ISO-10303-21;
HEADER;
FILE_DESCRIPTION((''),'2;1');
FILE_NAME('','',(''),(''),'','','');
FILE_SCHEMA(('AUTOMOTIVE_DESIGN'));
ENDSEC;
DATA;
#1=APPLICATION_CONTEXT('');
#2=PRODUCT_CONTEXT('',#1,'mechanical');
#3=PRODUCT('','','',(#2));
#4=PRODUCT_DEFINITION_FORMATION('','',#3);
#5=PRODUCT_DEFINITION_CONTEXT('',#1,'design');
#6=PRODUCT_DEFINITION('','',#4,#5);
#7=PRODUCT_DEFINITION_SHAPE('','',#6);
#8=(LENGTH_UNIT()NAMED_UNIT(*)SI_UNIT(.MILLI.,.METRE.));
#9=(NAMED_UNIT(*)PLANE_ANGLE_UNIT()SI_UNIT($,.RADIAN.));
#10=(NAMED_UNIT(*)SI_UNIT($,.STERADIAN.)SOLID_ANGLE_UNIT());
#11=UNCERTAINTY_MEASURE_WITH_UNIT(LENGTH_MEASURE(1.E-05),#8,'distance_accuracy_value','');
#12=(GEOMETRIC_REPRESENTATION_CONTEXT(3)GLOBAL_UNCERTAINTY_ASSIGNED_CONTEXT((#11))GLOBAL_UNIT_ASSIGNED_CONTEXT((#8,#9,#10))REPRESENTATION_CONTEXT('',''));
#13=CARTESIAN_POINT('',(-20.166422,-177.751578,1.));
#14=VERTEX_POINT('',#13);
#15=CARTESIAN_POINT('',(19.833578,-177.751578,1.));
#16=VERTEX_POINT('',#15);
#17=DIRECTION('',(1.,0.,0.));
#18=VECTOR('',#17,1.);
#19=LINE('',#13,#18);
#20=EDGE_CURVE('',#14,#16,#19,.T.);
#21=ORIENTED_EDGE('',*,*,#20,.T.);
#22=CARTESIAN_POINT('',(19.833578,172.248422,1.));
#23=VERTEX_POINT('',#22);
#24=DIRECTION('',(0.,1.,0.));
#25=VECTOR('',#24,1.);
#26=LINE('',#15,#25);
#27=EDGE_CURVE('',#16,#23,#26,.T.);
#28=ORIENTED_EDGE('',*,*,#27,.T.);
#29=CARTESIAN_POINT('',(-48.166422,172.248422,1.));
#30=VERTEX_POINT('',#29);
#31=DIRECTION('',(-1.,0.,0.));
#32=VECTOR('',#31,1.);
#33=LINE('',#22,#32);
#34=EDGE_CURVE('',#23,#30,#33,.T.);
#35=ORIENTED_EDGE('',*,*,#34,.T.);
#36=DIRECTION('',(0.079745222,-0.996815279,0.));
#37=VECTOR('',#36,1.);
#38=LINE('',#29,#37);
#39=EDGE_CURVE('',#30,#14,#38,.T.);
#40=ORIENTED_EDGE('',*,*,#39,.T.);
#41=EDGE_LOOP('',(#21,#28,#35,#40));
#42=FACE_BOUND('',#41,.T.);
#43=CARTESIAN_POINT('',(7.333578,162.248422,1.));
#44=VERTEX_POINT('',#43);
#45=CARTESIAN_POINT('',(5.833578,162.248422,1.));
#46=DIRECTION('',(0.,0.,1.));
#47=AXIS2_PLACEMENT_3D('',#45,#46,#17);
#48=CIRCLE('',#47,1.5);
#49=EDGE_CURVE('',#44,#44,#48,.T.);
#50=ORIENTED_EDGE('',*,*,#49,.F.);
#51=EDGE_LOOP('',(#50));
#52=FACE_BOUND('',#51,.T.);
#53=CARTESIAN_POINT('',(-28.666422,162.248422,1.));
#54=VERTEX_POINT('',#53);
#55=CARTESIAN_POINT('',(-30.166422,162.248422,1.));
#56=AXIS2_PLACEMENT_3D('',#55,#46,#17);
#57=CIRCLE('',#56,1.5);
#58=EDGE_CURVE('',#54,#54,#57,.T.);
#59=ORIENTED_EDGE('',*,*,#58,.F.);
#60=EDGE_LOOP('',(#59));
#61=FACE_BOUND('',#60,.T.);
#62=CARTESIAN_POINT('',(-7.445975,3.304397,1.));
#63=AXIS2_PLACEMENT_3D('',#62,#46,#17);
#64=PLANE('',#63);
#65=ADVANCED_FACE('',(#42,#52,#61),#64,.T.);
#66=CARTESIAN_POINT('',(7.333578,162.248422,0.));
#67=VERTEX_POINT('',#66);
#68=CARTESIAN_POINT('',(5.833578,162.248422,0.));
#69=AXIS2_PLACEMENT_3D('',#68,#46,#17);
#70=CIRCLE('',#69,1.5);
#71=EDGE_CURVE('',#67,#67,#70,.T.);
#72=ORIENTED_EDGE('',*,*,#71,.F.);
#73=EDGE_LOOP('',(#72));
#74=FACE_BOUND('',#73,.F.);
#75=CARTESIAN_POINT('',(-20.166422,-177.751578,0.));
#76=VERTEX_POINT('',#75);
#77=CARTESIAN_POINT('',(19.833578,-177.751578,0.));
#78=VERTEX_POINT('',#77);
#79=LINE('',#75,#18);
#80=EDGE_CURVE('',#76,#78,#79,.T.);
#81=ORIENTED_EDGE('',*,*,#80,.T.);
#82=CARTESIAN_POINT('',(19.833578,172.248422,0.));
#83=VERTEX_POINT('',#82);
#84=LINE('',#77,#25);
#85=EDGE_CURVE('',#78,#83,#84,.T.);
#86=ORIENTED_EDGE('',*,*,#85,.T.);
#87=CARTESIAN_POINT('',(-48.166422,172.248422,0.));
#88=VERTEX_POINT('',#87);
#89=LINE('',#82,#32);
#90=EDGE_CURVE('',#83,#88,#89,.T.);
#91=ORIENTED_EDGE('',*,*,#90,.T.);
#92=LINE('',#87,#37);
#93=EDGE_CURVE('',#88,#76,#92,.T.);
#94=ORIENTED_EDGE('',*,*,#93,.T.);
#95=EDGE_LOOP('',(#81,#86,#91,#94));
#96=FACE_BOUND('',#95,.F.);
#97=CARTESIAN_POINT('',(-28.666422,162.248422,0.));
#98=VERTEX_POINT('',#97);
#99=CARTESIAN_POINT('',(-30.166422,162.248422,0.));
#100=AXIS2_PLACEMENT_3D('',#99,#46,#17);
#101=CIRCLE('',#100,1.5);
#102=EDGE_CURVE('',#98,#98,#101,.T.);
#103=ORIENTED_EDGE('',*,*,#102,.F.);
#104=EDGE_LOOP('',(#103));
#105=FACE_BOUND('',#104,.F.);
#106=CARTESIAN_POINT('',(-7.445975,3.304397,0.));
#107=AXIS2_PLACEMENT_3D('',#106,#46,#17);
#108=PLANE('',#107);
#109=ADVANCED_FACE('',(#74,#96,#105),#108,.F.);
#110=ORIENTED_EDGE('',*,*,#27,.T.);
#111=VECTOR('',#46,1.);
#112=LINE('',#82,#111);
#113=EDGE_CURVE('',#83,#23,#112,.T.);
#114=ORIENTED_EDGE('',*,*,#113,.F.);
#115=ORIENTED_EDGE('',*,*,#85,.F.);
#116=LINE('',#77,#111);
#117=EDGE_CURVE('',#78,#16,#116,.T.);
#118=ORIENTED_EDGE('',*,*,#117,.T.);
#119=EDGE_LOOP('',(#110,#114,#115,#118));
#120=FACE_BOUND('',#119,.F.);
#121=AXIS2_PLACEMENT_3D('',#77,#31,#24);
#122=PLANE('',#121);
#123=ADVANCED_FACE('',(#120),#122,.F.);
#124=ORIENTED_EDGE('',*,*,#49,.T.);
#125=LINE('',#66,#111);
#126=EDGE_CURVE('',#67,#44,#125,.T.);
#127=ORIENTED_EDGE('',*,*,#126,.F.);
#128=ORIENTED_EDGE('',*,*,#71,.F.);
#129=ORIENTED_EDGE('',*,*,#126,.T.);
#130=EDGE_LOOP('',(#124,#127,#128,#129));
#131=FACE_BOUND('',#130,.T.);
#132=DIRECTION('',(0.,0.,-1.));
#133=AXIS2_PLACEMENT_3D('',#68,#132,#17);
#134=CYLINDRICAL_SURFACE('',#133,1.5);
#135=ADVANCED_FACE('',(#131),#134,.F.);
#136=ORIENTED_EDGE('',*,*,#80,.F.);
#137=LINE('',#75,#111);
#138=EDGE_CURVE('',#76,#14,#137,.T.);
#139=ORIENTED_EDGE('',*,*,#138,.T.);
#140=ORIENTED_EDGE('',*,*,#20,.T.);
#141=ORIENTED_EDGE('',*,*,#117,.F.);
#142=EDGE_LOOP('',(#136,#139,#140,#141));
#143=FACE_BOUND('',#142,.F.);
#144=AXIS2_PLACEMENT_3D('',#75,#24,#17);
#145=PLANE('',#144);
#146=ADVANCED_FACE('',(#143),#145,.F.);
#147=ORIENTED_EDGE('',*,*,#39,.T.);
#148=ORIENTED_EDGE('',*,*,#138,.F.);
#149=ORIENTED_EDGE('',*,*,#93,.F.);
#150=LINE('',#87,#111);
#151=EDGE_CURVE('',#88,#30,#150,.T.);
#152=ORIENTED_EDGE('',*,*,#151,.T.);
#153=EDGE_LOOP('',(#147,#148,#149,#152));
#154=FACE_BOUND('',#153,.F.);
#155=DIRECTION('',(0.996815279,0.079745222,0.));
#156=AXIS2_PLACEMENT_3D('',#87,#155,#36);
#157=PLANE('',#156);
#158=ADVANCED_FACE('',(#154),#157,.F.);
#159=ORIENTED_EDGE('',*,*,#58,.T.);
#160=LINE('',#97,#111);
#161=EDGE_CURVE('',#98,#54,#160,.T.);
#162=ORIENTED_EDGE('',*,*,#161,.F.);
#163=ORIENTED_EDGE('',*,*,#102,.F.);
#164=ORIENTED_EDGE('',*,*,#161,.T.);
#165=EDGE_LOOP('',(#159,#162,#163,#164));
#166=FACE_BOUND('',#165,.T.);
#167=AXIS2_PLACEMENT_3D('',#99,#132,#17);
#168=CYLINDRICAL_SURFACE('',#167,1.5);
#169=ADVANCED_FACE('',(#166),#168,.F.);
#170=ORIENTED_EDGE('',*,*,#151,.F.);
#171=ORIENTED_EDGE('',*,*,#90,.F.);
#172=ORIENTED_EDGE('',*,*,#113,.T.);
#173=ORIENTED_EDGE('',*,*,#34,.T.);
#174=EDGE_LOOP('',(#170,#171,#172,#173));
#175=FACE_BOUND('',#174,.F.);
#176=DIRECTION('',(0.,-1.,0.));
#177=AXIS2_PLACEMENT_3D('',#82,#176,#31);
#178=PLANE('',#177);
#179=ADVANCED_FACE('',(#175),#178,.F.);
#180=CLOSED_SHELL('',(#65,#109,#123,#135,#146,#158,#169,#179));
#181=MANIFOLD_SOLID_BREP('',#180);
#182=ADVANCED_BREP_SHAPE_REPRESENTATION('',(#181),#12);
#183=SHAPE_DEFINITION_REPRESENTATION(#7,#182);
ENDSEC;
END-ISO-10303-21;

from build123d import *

# Parameters (mm, degrees)
F0_R     = 1.5
F1_DEPTH = 1


with BuildPart() as f1:
    # F0 (on Top) → F1 (new body)
    with BuildSketch(Plane.XY):
        Polygon((19.833578, 172.248422), (-48.166422, 172.248422), (-20.166422, -177.751578), (19.833578, -177.751578), align=None)
        with Locations((-30.166422, 162.248422)):
            Circle(F0_R, mode=Mode.SUBTRACT)
        with Locations((5.833578, 162.248422)):
            Circle(F0_R, mode=Mode.SUBTRACT)
    extrude(amount=F1_DEPTH)


solid = f1.part
